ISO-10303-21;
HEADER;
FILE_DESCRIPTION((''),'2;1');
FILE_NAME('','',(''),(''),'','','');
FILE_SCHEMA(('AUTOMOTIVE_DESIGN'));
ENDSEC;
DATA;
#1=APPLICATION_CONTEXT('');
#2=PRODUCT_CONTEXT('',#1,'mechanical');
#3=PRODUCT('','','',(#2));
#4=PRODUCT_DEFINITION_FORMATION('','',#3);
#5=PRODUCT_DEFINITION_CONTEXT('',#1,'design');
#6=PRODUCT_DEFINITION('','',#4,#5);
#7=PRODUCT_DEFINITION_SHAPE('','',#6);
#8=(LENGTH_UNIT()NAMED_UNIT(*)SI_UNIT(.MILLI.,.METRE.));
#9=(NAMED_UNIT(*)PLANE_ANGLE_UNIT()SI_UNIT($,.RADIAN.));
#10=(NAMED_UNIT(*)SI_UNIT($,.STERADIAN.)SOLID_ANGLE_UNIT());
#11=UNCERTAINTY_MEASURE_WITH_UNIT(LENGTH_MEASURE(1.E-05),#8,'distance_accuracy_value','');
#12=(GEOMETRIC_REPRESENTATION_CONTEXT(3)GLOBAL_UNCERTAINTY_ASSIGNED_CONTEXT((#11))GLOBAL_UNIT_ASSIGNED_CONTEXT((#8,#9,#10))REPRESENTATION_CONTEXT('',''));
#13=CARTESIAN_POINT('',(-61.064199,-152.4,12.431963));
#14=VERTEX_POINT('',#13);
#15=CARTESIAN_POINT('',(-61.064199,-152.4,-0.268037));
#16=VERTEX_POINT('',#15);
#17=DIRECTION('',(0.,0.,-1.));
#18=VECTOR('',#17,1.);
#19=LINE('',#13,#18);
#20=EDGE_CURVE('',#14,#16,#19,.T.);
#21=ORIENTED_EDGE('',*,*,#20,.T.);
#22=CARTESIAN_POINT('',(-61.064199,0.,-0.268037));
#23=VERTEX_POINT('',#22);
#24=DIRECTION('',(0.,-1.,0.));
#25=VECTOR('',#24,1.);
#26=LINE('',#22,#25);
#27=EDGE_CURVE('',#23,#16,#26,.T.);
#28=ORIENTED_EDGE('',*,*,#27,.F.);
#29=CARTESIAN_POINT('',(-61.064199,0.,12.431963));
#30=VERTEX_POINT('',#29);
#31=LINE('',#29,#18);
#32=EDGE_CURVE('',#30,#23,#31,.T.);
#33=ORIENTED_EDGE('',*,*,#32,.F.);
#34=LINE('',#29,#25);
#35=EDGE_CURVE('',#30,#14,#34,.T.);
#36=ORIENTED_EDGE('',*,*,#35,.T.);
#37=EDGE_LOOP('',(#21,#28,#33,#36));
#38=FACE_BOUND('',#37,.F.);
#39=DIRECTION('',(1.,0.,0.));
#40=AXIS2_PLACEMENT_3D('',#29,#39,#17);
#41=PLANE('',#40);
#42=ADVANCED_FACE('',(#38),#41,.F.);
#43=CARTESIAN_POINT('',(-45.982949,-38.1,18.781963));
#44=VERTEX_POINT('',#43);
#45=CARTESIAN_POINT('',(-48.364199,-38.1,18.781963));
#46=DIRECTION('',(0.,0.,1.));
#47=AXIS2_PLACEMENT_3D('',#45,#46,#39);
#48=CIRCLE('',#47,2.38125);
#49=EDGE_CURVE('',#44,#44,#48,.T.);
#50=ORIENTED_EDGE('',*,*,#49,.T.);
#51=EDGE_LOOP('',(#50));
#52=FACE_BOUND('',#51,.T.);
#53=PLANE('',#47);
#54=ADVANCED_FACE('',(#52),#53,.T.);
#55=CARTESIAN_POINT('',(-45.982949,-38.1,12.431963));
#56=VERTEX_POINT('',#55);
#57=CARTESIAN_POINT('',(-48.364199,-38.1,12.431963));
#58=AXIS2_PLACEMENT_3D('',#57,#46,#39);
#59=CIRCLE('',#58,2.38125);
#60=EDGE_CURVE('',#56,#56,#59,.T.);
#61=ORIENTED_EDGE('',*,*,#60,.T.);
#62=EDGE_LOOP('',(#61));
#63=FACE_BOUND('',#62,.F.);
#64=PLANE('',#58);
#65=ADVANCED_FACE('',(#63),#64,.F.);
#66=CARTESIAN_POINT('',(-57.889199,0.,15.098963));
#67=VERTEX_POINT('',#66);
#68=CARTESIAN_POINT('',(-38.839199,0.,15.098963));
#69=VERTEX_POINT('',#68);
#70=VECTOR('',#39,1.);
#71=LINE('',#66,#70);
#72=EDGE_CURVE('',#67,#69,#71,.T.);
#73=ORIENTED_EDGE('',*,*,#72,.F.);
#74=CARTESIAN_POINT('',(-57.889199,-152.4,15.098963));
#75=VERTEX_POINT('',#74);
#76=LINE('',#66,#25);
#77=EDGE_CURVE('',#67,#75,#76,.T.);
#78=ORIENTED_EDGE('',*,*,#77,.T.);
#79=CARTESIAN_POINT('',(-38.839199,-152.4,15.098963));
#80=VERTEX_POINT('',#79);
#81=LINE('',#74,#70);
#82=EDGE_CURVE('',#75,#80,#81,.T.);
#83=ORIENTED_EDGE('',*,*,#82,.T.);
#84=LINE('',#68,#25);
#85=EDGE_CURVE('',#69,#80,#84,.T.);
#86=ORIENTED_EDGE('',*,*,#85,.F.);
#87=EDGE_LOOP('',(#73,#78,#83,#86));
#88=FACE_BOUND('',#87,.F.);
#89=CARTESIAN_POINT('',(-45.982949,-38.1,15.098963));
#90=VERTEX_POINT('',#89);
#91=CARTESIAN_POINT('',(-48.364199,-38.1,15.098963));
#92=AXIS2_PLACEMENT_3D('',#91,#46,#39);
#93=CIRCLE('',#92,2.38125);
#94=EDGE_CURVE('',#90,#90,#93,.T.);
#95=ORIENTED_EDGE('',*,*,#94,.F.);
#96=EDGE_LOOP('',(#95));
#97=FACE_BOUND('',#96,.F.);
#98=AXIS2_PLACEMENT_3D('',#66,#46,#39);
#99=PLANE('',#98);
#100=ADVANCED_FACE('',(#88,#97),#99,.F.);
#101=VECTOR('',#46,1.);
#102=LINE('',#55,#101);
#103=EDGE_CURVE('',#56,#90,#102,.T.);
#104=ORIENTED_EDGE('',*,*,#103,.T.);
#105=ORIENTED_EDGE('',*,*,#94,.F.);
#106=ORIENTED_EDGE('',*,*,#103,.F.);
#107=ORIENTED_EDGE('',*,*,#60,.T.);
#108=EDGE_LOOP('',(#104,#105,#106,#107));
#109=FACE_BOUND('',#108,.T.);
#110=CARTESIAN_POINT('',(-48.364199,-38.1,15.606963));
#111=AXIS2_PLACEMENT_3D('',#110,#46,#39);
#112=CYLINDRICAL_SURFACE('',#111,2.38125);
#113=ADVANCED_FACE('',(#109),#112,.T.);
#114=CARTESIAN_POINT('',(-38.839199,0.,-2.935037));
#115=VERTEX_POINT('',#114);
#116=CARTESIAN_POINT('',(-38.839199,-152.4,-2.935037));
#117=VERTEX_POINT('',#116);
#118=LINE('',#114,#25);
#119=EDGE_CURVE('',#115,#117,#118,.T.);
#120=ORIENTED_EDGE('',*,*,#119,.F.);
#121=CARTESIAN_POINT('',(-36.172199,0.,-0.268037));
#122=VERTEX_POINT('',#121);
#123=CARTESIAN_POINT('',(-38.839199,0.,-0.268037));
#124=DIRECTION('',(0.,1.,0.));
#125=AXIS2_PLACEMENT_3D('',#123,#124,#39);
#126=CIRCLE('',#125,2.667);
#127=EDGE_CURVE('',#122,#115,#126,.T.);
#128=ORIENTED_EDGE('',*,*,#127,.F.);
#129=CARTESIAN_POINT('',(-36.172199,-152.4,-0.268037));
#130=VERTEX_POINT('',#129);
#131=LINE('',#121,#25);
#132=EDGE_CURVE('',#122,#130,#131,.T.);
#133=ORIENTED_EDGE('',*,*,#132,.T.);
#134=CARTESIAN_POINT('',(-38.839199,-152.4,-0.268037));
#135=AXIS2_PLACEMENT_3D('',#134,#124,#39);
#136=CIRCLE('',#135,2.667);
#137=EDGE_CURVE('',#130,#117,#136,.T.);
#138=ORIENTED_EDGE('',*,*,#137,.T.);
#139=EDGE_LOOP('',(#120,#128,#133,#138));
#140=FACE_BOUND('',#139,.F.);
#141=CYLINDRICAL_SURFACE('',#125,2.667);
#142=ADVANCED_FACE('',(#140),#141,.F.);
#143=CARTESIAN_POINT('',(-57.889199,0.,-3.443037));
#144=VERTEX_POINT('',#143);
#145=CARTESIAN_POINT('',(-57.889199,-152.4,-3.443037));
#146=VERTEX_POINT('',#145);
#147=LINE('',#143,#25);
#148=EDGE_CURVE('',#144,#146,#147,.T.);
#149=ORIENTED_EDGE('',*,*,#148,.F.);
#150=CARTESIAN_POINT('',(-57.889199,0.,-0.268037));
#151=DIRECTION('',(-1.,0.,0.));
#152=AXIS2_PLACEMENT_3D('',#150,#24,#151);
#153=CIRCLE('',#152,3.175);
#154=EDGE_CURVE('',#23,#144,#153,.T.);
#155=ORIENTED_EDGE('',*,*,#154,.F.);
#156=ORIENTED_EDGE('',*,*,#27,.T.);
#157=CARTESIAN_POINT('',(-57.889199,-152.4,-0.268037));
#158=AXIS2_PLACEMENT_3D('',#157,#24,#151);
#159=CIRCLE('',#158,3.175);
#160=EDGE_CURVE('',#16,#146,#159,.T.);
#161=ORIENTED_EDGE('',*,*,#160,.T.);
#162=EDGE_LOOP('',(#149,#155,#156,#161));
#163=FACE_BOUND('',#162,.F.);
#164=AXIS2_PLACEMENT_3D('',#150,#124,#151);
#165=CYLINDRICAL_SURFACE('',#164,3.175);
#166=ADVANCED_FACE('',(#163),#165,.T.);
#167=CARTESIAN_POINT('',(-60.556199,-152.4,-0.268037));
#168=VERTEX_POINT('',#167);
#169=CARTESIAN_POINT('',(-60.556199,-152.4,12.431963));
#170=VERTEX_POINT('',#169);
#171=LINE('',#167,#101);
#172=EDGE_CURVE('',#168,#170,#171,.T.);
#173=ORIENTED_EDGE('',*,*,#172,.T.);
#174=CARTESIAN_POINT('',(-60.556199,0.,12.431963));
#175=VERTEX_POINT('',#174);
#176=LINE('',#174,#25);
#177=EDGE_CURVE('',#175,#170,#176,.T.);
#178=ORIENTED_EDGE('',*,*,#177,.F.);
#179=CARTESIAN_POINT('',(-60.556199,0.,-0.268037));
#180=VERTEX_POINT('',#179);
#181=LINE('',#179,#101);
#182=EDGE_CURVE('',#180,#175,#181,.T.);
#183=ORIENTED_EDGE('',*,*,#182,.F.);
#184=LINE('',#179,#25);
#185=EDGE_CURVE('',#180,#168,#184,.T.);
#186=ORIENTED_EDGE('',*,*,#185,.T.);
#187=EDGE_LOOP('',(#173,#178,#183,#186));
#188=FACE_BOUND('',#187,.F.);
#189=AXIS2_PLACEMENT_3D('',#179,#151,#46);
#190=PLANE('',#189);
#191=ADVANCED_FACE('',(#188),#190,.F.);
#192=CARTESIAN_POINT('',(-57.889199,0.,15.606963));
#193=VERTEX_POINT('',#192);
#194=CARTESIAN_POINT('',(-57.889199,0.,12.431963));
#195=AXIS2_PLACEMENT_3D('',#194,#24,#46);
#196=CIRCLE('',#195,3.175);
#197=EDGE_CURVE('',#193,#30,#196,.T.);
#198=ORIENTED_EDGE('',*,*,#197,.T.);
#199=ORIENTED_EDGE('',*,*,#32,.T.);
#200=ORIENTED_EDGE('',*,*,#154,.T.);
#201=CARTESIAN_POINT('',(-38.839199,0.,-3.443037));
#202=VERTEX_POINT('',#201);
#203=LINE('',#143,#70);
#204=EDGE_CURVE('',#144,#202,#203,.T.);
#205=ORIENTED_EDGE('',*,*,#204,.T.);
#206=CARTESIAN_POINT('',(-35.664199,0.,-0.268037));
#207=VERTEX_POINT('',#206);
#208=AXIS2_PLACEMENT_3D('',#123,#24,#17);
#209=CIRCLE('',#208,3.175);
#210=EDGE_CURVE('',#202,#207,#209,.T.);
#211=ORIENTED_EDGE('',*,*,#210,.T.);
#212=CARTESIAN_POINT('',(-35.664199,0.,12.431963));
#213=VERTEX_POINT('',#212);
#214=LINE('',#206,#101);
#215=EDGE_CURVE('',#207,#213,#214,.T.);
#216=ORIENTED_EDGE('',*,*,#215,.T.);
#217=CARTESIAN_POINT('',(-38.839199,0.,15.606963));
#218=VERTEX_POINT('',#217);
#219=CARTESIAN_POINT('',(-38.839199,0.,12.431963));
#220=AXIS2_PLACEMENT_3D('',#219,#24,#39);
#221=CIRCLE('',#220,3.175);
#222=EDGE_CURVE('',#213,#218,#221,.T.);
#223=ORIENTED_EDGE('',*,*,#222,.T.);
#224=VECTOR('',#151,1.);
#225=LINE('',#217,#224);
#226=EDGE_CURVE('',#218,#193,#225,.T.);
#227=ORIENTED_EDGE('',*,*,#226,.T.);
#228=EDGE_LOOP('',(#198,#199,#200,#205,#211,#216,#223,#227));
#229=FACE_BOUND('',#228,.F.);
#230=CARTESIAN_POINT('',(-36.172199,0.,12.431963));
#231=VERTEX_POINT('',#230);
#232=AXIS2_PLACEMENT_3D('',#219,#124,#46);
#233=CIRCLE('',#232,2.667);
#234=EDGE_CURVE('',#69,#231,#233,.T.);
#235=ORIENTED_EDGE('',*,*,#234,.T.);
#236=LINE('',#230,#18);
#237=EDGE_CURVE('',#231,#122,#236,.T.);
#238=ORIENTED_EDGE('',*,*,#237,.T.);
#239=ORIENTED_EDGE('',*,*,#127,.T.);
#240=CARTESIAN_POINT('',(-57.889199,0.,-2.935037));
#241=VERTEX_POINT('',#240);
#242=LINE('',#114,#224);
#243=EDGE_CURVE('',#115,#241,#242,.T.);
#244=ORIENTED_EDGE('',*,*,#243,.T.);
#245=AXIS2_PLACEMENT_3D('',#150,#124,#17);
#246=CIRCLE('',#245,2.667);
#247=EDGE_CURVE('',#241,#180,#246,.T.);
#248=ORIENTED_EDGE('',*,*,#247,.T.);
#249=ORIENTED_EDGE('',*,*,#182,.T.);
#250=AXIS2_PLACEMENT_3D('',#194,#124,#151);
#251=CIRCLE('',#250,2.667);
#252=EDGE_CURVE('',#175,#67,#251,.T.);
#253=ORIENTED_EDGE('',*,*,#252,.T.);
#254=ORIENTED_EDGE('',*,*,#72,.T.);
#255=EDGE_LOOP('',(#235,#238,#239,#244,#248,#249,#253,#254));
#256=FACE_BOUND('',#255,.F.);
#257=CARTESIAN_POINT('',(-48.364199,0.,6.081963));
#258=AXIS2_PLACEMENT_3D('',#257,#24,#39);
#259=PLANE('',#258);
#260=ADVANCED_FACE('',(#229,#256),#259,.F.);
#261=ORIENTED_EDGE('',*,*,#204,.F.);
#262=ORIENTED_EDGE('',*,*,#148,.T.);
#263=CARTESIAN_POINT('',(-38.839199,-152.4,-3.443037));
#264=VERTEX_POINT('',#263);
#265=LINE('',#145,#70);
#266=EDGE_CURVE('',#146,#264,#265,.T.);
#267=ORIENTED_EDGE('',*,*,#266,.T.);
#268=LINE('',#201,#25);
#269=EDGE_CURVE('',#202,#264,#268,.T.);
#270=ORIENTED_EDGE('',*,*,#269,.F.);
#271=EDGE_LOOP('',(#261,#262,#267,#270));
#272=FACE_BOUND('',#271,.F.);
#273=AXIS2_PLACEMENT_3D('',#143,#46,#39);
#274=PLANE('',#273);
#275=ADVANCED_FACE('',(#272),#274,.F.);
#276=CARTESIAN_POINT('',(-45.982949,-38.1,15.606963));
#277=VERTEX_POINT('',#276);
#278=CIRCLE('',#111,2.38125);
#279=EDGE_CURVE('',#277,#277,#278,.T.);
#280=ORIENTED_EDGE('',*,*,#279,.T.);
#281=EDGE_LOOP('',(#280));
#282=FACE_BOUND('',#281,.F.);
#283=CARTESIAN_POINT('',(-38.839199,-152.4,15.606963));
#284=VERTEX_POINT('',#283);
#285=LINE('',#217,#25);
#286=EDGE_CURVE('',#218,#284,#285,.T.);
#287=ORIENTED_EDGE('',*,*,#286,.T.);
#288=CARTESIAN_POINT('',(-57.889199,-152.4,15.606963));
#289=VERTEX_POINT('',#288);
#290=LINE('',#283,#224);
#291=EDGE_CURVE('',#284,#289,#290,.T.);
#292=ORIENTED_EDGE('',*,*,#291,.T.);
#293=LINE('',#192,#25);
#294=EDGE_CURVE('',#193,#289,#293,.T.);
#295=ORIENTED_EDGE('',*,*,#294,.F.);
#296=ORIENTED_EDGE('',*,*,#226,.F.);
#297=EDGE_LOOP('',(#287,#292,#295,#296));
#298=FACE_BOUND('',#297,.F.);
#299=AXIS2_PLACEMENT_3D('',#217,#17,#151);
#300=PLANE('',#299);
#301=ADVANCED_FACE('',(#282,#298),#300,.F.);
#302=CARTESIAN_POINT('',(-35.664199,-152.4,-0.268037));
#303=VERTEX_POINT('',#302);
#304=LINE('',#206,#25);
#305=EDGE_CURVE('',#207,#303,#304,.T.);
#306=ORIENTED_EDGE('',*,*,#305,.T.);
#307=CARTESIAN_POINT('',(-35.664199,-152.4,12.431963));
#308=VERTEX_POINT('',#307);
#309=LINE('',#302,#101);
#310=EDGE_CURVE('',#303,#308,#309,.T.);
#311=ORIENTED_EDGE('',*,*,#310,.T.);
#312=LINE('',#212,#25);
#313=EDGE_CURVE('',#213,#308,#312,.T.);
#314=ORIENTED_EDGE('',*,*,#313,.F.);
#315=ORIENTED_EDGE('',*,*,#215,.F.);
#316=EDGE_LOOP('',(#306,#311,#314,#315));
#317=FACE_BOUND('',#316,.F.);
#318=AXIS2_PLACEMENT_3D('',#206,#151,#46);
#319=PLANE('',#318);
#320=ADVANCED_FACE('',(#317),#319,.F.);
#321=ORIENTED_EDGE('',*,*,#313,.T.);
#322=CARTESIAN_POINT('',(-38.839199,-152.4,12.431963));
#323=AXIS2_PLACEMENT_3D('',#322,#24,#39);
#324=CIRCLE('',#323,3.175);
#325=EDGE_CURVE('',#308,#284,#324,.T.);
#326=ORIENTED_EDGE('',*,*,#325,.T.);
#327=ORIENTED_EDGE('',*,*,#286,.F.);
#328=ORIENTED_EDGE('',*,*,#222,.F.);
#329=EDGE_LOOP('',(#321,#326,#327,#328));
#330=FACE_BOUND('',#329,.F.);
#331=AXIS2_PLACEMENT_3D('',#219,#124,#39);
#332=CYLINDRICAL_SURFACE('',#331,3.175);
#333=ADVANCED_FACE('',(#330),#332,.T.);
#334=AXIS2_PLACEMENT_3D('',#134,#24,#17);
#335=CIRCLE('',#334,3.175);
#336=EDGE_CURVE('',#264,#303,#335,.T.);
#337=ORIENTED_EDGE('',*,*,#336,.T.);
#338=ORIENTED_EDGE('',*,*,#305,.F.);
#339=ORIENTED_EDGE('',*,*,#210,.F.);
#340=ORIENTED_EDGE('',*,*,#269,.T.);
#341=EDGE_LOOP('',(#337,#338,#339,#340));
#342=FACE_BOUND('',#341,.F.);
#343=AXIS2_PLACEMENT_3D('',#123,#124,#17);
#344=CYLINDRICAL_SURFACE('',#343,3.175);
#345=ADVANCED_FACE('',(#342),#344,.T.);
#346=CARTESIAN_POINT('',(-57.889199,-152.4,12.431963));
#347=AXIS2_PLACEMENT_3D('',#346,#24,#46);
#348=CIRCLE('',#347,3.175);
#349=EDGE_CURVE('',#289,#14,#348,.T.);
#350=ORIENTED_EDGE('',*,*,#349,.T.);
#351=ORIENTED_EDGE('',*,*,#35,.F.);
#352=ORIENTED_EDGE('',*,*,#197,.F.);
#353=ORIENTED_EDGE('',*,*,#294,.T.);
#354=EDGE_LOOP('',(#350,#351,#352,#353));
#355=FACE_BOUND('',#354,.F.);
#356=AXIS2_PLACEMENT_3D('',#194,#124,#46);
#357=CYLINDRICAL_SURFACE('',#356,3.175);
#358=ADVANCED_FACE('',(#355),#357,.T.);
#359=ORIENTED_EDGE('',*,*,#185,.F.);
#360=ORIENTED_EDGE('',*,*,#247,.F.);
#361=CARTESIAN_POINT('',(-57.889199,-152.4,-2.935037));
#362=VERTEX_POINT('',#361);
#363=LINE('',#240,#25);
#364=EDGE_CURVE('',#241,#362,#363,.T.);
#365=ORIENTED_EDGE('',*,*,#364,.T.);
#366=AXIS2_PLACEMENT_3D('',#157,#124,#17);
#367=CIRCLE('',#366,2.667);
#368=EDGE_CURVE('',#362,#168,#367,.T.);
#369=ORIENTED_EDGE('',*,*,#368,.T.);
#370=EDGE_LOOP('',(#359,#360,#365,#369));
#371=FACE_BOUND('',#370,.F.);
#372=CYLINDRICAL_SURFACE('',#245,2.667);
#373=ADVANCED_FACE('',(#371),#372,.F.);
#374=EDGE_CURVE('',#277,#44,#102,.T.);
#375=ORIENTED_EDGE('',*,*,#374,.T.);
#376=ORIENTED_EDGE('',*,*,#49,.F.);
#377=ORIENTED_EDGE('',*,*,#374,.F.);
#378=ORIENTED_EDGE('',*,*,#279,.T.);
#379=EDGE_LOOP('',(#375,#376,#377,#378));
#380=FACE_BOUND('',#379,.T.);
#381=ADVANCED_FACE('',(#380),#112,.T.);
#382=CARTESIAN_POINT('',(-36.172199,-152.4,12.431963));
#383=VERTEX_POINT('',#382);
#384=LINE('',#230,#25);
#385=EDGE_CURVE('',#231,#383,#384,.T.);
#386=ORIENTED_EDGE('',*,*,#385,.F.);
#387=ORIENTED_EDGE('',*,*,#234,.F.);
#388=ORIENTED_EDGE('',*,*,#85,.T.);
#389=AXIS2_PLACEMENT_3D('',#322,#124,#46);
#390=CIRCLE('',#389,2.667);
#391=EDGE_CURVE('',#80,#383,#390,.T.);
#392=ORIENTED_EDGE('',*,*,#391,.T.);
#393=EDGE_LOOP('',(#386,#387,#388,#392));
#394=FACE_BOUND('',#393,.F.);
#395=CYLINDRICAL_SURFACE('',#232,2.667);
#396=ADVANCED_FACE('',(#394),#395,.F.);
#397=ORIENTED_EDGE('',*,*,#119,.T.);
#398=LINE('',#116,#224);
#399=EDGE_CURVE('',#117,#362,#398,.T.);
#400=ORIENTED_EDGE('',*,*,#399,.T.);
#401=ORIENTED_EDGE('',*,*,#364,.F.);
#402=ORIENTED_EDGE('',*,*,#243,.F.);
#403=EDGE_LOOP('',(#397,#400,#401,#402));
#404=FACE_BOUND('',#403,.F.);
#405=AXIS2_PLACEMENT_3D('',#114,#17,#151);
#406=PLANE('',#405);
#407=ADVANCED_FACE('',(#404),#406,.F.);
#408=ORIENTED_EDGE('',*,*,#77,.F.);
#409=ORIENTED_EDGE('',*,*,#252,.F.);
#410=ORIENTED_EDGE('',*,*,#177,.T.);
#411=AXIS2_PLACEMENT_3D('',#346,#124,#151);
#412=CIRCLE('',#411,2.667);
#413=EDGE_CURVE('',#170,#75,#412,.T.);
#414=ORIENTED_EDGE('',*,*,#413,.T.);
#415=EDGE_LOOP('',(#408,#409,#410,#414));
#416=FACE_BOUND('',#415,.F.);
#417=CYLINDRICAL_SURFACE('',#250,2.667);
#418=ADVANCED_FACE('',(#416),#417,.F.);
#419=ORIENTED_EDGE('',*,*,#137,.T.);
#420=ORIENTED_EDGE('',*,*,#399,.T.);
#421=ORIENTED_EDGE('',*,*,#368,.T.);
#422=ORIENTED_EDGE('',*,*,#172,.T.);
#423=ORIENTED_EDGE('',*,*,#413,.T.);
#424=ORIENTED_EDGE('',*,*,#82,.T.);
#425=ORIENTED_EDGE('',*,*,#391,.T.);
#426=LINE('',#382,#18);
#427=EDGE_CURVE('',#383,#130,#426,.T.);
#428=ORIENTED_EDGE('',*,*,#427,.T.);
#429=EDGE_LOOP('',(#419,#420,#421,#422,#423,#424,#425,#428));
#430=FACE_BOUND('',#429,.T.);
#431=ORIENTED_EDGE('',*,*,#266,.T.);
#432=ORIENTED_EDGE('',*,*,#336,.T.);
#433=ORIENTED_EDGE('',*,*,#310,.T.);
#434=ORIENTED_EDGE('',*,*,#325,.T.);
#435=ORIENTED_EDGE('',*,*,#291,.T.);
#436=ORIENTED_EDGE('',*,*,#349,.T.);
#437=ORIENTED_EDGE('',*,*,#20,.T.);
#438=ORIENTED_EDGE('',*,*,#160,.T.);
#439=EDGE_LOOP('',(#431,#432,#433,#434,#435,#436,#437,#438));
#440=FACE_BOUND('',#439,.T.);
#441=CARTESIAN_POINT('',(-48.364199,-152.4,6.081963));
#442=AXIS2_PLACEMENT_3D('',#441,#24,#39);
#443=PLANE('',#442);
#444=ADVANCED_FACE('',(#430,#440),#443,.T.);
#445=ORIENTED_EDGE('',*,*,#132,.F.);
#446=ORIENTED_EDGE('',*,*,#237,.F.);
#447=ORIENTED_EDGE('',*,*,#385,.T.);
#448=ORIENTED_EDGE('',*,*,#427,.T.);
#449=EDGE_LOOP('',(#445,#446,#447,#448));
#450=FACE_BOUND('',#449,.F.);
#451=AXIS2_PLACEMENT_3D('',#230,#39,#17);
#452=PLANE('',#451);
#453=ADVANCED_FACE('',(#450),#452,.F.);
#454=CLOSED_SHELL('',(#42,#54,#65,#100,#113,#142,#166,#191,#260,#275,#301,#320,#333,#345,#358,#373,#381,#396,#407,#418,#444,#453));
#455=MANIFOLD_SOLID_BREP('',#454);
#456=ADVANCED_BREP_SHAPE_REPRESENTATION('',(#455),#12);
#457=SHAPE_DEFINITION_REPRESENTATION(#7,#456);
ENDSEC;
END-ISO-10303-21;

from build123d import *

# Parameters (mm, degrees)
F1_DEPTH = 152.4
F3_R     = 2.38125
F4_DEPTH = 3.175


with BuildPart() as f1:
    # F0 (on Front) → F1 (new body)
    with BuildSketch(Plane.XZ):
        with BuildLine():
            Line((-57.8891985873, -3.443037042), (-38.8391985873, -3.443037042))
            ThreePointArc((-38.8391985873, -3.443037042), (-36.594134557, -2.5131010723), (-35.6641985873, -0.268037042))
            Line((-35.6641985873, -0.268037042), (-35.6641985873, 12.431962958))
            ThreePointArc((-35.6641985873, 12.431962958), (-36.594134557, 14.6770269882), (-38.8391985873, 15.606962958))
            Line((-38.8391985873, 15.606962958), (-57.8891985873, 15.606962958))
            ThreePointArc((-57.8891985873, 15.606962958), (-60.1342626175, 14.6770269882), (-61.0641985873, 12.431962958))
            Line((-61.0641985873, 12.431962958), (-61.0641985873, -0.268037042))
            ThreePointArc((-61.0641985873, -0.268037042), (-60.1342626175, -2.5131010723), (-57.8891985873, -3.443037042))
        make_face()
        with BuildLine():
            ThreePointArc((-57.8891985873, -2.935037042), (-59.7750523727, -2.1538908274), (-60.5561985873, -0.268037042))
            Line((-60.5561985873, -0.268037042), (-60.5561985873, 12.431962958))
            ThreePointArc((-60.5561985873, 12.431962958), (-59.7750523727, 14.3178167434), (-57.8891985873, 15.098962958))
            Line((-57.8891985873, 15.098962958), (-38.8391985873, 15.098962958))
            ThreePointArc((-38.8391985873, 15.098962958), (-36.9533448018, 14.3178167434), (-36.1721985873, 12.431962958))
            Line((-36.1721985873, 12.431962958), (-36.1721985873, -0.268037042))
            ThreePointArc((-36.1721985873, -0.268037042), (-36.9533448018, -2.1538908274), (-38.8391985873, -2.935037042))
            Line((-38.8391985873, -2.935037042), (-57.8891985873, -2.935037042))
        make_face(mode=Mode.SUBTRACT)
    extrude(amount=F1_DEPTH)

    # F3 (on offset) → F4 (join, symmetric)
    with BuildSketch(Plane.XY.offset(15.606962958)):
        with Locations((-48.3641985873, -38.1)):
            Circle(F3_R)
    extrude(amount=F4_DEPTH, both=True)


solid = f1.part
